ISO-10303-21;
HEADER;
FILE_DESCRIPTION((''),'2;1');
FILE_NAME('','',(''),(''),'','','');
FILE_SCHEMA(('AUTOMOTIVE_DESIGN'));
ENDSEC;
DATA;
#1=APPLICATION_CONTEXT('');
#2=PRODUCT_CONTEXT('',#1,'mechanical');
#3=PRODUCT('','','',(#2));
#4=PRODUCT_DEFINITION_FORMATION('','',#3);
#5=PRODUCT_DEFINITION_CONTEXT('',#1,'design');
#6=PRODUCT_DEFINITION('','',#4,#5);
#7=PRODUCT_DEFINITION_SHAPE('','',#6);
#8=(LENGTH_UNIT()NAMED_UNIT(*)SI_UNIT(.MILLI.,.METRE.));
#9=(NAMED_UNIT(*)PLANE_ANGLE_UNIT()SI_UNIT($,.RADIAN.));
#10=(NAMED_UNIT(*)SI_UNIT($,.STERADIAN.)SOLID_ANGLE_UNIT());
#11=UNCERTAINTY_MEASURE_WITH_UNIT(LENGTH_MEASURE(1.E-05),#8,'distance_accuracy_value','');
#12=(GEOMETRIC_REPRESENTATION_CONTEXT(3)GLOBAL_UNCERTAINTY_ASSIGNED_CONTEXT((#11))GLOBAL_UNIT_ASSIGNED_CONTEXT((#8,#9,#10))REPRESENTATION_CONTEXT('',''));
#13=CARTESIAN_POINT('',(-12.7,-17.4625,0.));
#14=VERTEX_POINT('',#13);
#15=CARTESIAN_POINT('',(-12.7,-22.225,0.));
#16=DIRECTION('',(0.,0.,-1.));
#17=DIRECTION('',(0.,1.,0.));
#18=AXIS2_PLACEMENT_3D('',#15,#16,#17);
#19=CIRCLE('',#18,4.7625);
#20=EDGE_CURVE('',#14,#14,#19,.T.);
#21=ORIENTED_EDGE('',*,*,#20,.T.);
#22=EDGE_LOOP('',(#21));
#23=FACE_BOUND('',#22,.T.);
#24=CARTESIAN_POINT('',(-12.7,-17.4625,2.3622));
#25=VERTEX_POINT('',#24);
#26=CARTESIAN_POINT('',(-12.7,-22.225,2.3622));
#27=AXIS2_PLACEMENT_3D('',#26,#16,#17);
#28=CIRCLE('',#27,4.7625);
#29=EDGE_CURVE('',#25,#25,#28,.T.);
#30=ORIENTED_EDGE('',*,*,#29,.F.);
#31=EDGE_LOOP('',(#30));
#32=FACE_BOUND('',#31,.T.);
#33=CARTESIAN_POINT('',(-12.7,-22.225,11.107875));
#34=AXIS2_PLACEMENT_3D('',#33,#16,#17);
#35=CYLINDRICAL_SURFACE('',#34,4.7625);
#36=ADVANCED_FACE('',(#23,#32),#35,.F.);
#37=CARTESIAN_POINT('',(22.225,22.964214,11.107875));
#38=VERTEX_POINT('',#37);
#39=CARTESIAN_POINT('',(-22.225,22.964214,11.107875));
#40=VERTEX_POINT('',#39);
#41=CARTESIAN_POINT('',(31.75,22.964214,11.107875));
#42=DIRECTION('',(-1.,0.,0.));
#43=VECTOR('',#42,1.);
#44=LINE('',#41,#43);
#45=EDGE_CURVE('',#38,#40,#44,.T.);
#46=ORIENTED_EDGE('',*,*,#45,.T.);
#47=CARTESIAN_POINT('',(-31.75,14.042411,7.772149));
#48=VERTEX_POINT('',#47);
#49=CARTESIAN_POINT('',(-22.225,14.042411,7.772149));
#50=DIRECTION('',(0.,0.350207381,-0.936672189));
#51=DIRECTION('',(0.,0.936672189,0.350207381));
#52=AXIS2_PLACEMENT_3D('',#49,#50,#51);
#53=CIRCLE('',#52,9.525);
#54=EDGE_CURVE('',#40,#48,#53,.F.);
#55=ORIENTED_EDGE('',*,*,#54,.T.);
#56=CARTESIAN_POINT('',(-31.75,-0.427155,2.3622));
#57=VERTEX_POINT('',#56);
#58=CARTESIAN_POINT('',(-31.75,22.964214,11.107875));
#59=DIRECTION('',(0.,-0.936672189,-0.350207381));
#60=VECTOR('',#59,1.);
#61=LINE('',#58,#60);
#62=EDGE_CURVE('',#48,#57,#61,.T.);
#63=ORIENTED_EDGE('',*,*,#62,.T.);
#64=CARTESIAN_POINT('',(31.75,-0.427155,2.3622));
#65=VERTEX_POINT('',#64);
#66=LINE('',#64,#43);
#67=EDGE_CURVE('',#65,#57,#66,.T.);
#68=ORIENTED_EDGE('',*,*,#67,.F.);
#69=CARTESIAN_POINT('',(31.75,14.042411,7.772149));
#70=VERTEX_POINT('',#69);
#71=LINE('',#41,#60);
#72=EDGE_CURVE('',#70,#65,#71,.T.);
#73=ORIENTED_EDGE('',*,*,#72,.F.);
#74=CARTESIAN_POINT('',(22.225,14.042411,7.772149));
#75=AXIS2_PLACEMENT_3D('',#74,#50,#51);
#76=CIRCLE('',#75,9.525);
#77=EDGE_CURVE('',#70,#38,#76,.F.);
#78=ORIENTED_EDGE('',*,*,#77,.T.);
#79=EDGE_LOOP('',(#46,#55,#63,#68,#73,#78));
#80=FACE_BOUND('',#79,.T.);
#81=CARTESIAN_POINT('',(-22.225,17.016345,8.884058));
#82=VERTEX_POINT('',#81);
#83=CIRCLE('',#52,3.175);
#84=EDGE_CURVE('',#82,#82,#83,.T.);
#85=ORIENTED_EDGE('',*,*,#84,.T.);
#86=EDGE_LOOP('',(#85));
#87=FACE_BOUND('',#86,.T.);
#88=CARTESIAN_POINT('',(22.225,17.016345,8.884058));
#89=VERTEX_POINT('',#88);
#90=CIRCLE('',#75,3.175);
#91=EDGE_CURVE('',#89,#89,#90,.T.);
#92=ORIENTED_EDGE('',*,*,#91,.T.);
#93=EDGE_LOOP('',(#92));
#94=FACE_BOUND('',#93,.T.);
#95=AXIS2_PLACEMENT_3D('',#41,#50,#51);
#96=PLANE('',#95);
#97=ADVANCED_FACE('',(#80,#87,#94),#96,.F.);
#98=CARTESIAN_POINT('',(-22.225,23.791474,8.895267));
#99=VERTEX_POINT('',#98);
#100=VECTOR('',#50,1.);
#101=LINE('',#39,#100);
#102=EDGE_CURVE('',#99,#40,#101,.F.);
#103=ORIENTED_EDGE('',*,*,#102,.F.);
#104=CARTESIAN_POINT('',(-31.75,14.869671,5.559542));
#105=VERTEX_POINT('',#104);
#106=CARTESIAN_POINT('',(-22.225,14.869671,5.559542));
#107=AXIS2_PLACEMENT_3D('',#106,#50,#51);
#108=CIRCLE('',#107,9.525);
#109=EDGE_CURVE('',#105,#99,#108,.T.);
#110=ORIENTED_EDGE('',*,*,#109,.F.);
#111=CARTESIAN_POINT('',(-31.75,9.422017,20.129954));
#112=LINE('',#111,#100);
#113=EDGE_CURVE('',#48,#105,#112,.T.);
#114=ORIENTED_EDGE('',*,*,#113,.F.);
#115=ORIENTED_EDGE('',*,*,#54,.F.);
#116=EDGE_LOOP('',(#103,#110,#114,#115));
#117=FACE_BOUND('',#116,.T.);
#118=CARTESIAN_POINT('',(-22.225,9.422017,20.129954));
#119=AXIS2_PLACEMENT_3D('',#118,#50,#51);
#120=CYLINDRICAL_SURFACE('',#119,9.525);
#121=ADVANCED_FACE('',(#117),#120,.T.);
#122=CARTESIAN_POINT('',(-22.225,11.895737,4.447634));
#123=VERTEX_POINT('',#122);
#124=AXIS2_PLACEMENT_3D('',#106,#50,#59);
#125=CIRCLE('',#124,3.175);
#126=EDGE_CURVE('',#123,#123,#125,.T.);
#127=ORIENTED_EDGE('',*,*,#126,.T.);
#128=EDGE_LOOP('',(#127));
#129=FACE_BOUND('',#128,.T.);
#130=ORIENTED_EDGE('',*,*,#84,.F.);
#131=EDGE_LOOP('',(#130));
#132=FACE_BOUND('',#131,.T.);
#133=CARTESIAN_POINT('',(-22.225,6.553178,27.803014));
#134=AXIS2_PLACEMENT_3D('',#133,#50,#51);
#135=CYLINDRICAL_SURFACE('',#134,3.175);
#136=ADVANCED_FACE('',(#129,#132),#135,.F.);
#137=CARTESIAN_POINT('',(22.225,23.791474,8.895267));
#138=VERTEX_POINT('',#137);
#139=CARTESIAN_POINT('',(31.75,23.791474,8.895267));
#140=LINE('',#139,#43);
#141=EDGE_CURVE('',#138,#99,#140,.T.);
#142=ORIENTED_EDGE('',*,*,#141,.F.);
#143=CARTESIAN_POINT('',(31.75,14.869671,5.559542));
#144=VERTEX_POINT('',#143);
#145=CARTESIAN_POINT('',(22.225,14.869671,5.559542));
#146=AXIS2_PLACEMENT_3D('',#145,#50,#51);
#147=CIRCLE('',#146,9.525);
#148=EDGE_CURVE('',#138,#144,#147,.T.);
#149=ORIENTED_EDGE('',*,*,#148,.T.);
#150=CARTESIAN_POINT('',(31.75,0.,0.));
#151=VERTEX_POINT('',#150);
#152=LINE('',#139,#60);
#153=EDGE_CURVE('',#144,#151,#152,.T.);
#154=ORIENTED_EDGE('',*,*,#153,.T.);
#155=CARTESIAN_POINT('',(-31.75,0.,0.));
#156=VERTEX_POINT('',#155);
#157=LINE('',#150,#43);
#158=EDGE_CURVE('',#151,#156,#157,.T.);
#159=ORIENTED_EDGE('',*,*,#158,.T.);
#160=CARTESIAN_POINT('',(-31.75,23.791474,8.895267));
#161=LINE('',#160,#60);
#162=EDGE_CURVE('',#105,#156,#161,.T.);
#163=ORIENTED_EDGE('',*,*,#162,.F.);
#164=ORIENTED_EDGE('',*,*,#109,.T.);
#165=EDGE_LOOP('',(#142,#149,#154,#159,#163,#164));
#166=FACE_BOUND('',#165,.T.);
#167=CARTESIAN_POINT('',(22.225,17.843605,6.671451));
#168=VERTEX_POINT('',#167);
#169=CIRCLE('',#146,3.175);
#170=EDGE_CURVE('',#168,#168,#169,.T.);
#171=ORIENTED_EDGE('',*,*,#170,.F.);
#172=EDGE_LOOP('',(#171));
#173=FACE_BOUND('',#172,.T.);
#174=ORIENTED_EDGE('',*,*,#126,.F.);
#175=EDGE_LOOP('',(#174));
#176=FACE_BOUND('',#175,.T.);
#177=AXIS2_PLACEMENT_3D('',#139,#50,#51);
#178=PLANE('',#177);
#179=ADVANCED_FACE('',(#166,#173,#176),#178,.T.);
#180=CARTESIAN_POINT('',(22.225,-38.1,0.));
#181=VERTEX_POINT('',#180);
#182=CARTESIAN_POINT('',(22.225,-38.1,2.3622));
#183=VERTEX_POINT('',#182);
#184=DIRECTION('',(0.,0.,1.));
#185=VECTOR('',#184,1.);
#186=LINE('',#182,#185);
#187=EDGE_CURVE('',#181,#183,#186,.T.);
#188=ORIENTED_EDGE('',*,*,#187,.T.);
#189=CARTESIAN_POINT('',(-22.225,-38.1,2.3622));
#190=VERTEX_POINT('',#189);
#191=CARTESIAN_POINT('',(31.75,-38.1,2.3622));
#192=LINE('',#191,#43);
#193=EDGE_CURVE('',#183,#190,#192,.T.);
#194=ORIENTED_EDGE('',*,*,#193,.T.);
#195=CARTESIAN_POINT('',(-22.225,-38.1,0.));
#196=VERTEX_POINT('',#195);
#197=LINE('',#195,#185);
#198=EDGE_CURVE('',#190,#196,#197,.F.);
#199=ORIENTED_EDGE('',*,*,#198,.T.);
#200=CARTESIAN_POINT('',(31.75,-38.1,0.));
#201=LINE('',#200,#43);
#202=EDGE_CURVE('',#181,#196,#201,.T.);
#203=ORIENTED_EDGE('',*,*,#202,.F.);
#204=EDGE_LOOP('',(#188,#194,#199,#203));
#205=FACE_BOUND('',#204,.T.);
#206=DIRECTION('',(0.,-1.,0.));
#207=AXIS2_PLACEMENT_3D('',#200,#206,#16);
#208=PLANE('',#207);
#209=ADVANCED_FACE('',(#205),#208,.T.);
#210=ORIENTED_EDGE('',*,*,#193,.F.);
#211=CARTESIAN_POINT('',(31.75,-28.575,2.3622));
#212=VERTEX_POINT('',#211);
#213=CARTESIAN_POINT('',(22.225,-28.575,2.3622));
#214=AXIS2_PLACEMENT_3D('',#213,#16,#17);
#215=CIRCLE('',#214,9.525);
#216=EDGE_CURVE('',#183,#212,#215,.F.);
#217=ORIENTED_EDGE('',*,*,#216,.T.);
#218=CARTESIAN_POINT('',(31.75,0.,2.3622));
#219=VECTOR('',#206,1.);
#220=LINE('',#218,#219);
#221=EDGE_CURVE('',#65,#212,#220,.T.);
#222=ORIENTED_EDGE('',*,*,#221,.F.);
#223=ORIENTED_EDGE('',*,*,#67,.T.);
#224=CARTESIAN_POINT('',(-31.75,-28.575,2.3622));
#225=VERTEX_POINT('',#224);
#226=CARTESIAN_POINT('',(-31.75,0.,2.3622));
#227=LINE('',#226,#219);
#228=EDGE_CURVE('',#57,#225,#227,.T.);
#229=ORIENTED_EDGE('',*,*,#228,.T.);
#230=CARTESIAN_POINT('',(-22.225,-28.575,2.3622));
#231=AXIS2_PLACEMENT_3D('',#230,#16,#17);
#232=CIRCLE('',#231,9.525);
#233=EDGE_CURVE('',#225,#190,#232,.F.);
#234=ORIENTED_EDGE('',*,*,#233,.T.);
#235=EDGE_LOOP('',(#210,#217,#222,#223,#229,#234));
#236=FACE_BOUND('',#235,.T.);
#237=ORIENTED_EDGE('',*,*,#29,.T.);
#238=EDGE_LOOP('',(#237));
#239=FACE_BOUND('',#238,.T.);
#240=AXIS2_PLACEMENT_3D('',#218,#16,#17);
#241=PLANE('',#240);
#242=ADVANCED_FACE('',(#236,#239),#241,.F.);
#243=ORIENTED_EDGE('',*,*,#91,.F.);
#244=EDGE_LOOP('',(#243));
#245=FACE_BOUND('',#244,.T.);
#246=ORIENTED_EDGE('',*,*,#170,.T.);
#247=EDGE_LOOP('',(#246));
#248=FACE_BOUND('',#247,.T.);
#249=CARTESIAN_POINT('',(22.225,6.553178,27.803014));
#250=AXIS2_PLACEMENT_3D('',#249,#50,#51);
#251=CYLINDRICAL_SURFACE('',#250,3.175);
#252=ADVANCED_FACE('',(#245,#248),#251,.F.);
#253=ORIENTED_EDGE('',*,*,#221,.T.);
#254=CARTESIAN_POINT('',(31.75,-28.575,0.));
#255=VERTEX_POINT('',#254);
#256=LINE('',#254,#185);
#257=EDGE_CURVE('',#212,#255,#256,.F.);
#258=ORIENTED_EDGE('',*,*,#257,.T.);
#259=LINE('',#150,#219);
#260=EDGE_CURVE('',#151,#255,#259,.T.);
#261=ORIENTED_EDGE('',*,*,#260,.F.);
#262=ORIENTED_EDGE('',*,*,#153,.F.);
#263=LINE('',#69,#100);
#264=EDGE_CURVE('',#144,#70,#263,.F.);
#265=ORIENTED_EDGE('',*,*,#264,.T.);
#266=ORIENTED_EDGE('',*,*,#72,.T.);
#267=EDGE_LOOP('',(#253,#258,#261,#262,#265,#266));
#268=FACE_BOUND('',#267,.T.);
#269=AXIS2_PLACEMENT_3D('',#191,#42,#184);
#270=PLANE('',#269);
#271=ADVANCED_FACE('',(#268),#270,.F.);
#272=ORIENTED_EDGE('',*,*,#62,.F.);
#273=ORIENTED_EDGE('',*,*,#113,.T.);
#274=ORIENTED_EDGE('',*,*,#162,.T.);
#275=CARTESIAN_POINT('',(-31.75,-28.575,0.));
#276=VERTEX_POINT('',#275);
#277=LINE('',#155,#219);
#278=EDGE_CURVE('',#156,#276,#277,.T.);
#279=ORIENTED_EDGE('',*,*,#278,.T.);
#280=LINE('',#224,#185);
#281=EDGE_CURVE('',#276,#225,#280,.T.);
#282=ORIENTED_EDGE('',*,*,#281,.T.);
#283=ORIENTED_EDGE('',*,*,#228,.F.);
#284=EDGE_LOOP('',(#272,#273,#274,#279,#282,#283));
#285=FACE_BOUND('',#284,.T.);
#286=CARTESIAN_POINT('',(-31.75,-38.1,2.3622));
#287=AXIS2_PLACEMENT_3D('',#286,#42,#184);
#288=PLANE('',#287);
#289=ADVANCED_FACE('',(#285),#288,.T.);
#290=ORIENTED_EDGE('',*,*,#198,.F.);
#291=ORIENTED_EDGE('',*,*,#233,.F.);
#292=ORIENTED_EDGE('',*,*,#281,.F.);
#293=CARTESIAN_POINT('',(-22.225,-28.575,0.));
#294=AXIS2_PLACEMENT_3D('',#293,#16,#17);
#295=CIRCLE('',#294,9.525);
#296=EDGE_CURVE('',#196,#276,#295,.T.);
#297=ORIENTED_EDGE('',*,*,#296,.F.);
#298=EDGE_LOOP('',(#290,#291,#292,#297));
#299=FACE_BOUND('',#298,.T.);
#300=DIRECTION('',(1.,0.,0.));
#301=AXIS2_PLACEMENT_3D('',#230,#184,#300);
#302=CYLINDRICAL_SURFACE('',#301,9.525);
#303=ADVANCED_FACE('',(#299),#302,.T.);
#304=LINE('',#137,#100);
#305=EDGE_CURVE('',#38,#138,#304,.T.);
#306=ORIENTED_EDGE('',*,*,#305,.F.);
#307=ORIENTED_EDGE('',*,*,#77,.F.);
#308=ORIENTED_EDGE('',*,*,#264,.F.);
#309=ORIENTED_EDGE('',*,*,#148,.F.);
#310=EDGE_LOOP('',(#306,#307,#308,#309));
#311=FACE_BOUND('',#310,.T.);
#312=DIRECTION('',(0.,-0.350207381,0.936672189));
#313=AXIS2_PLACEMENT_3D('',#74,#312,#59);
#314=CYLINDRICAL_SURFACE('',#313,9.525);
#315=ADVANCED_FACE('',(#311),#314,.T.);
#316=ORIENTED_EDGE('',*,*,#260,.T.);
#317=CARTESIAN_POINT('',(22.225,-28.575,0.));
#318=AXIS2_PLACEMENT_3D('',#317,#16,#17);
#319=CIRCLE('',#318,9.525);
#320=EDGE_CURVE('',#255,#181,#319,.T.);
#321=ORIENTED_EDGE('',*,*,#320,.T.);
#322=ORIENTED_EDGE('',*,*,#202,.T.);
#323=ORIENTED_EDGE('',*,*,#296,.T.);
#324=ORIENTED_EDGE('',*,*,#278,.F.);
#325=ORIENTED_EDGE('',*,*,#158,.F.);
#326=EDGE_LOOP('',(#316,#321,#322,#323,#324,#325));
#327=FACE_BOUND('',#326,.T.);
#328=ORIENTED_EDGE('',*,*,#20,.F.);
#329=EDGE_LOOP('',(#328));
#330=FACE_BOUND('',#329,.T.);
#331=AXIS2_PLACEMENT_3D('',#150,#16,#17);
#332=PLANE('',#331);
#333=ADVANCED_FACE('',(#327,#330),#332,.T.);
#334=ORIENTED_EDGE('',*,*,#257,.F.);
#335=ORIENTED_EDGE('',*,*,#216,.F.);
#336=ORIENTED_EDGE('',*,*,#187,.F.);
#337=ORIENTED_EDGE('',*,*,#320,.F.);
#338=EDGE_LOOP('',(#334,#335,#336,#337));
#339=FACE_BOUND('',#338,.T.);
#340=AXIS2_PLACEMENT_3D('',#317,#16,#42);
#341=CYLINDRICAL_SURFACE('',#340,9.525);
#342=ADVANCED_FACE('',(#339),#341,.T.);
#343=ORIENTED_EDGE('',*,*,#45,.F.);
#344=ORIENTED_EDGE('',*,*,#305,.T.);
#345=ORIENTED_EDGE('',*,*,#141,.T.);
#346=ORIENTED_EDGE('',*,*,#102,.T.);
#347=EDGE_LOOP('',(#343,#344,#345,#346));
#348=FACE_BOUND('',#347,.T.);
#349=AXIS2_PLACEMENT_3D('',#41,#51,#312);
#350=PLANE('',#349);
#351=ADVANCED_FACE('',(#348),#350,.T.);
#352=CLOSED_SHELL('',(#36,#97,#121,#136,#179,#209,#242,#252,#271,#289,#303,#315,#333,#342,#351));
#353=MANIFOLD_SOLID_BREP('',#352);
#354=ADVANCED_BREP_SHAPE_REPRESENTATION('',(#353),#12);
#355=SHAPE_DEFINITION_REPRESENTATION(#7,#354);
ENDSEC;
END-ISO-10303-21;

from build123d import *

# Parameters (mm, degrees)
EXTRUDE_THIN1_DEPTH = 31.75
SKETCH2_R           = 4.7625
CUT_EXTRUDE1_DEPTH  = 51.823787507
SKETCH3_R           = 3.175
CUT_EXTRUDE2_DEPTH  = 51.823787507
FILLET1_R           = 9.525


with BuildPart() as part:
    # Sketch1 → Extrude-Thin1 (new, symmetric)
    with BuildSketch(Plane(origin=(0, 0, 0), x_dir=(0, 0, -1), z_dir=(1, 0, 0))):
        Polygon((-8.895267484, 23.791473607), (0, 0), (0, -38.1), (-2.3622, -38.1), (-2.3622, -0.427155344), (-11.107874529, 22.964213731), align=None)
    extrude(amount=EXTRUDE_THIN1_DEPTH, both=True)

    # Sketch2 → Cut-Extrude1 (cut, through all)
    with BuildSketch(Plane(origin=(0, 0, 0), x_dir=(-1, 0, 0), z_dir=(0, 0, -1))):
        with Locations(Location((12.7, -22.225, 0), (0, 0, 90))):
            Circle(SKETCH2_R)
    extrude(amount=-CUT_EXTRUDE1_DEPTH, mode=Mode.SUBTRACT)

    # Sketch3 → Cut-Extrude2 (cut, through all)
    with BuildSketch(Plane(origin=(0, 0, 0), x_dir=(-1, 0, 0), z_dir=(0, 0.35020738125946876, -0.9366721892483971))):
        with Locations(Location((-22.225, 15.875, 0), (0, 0, 90))):
            Circle(SKETCH3_R)
        with Locations(Location((22.225, 15.875, 0), (0, 0, 90))):
            Circle(SKETCH3_R)
    extrude(amount=-CUT_EXTRUDE2_DEPTH, mode=Mode.SUBTRACT)

    # Fillet1
    fillet1_edges = [part.edges().sort_by_distance(p)[0] for p in [
        (31.75, 23.377843669, 10.001571007),
        (-31.75, 23.377843669, 10.001571007),
        (-31.75, -38.1, 1.1811),
        (31.75, -38.1, 1.1811),
    ]]
    fillet(fillet1_edges, radius=FILLET1_R)


solid = part.part
